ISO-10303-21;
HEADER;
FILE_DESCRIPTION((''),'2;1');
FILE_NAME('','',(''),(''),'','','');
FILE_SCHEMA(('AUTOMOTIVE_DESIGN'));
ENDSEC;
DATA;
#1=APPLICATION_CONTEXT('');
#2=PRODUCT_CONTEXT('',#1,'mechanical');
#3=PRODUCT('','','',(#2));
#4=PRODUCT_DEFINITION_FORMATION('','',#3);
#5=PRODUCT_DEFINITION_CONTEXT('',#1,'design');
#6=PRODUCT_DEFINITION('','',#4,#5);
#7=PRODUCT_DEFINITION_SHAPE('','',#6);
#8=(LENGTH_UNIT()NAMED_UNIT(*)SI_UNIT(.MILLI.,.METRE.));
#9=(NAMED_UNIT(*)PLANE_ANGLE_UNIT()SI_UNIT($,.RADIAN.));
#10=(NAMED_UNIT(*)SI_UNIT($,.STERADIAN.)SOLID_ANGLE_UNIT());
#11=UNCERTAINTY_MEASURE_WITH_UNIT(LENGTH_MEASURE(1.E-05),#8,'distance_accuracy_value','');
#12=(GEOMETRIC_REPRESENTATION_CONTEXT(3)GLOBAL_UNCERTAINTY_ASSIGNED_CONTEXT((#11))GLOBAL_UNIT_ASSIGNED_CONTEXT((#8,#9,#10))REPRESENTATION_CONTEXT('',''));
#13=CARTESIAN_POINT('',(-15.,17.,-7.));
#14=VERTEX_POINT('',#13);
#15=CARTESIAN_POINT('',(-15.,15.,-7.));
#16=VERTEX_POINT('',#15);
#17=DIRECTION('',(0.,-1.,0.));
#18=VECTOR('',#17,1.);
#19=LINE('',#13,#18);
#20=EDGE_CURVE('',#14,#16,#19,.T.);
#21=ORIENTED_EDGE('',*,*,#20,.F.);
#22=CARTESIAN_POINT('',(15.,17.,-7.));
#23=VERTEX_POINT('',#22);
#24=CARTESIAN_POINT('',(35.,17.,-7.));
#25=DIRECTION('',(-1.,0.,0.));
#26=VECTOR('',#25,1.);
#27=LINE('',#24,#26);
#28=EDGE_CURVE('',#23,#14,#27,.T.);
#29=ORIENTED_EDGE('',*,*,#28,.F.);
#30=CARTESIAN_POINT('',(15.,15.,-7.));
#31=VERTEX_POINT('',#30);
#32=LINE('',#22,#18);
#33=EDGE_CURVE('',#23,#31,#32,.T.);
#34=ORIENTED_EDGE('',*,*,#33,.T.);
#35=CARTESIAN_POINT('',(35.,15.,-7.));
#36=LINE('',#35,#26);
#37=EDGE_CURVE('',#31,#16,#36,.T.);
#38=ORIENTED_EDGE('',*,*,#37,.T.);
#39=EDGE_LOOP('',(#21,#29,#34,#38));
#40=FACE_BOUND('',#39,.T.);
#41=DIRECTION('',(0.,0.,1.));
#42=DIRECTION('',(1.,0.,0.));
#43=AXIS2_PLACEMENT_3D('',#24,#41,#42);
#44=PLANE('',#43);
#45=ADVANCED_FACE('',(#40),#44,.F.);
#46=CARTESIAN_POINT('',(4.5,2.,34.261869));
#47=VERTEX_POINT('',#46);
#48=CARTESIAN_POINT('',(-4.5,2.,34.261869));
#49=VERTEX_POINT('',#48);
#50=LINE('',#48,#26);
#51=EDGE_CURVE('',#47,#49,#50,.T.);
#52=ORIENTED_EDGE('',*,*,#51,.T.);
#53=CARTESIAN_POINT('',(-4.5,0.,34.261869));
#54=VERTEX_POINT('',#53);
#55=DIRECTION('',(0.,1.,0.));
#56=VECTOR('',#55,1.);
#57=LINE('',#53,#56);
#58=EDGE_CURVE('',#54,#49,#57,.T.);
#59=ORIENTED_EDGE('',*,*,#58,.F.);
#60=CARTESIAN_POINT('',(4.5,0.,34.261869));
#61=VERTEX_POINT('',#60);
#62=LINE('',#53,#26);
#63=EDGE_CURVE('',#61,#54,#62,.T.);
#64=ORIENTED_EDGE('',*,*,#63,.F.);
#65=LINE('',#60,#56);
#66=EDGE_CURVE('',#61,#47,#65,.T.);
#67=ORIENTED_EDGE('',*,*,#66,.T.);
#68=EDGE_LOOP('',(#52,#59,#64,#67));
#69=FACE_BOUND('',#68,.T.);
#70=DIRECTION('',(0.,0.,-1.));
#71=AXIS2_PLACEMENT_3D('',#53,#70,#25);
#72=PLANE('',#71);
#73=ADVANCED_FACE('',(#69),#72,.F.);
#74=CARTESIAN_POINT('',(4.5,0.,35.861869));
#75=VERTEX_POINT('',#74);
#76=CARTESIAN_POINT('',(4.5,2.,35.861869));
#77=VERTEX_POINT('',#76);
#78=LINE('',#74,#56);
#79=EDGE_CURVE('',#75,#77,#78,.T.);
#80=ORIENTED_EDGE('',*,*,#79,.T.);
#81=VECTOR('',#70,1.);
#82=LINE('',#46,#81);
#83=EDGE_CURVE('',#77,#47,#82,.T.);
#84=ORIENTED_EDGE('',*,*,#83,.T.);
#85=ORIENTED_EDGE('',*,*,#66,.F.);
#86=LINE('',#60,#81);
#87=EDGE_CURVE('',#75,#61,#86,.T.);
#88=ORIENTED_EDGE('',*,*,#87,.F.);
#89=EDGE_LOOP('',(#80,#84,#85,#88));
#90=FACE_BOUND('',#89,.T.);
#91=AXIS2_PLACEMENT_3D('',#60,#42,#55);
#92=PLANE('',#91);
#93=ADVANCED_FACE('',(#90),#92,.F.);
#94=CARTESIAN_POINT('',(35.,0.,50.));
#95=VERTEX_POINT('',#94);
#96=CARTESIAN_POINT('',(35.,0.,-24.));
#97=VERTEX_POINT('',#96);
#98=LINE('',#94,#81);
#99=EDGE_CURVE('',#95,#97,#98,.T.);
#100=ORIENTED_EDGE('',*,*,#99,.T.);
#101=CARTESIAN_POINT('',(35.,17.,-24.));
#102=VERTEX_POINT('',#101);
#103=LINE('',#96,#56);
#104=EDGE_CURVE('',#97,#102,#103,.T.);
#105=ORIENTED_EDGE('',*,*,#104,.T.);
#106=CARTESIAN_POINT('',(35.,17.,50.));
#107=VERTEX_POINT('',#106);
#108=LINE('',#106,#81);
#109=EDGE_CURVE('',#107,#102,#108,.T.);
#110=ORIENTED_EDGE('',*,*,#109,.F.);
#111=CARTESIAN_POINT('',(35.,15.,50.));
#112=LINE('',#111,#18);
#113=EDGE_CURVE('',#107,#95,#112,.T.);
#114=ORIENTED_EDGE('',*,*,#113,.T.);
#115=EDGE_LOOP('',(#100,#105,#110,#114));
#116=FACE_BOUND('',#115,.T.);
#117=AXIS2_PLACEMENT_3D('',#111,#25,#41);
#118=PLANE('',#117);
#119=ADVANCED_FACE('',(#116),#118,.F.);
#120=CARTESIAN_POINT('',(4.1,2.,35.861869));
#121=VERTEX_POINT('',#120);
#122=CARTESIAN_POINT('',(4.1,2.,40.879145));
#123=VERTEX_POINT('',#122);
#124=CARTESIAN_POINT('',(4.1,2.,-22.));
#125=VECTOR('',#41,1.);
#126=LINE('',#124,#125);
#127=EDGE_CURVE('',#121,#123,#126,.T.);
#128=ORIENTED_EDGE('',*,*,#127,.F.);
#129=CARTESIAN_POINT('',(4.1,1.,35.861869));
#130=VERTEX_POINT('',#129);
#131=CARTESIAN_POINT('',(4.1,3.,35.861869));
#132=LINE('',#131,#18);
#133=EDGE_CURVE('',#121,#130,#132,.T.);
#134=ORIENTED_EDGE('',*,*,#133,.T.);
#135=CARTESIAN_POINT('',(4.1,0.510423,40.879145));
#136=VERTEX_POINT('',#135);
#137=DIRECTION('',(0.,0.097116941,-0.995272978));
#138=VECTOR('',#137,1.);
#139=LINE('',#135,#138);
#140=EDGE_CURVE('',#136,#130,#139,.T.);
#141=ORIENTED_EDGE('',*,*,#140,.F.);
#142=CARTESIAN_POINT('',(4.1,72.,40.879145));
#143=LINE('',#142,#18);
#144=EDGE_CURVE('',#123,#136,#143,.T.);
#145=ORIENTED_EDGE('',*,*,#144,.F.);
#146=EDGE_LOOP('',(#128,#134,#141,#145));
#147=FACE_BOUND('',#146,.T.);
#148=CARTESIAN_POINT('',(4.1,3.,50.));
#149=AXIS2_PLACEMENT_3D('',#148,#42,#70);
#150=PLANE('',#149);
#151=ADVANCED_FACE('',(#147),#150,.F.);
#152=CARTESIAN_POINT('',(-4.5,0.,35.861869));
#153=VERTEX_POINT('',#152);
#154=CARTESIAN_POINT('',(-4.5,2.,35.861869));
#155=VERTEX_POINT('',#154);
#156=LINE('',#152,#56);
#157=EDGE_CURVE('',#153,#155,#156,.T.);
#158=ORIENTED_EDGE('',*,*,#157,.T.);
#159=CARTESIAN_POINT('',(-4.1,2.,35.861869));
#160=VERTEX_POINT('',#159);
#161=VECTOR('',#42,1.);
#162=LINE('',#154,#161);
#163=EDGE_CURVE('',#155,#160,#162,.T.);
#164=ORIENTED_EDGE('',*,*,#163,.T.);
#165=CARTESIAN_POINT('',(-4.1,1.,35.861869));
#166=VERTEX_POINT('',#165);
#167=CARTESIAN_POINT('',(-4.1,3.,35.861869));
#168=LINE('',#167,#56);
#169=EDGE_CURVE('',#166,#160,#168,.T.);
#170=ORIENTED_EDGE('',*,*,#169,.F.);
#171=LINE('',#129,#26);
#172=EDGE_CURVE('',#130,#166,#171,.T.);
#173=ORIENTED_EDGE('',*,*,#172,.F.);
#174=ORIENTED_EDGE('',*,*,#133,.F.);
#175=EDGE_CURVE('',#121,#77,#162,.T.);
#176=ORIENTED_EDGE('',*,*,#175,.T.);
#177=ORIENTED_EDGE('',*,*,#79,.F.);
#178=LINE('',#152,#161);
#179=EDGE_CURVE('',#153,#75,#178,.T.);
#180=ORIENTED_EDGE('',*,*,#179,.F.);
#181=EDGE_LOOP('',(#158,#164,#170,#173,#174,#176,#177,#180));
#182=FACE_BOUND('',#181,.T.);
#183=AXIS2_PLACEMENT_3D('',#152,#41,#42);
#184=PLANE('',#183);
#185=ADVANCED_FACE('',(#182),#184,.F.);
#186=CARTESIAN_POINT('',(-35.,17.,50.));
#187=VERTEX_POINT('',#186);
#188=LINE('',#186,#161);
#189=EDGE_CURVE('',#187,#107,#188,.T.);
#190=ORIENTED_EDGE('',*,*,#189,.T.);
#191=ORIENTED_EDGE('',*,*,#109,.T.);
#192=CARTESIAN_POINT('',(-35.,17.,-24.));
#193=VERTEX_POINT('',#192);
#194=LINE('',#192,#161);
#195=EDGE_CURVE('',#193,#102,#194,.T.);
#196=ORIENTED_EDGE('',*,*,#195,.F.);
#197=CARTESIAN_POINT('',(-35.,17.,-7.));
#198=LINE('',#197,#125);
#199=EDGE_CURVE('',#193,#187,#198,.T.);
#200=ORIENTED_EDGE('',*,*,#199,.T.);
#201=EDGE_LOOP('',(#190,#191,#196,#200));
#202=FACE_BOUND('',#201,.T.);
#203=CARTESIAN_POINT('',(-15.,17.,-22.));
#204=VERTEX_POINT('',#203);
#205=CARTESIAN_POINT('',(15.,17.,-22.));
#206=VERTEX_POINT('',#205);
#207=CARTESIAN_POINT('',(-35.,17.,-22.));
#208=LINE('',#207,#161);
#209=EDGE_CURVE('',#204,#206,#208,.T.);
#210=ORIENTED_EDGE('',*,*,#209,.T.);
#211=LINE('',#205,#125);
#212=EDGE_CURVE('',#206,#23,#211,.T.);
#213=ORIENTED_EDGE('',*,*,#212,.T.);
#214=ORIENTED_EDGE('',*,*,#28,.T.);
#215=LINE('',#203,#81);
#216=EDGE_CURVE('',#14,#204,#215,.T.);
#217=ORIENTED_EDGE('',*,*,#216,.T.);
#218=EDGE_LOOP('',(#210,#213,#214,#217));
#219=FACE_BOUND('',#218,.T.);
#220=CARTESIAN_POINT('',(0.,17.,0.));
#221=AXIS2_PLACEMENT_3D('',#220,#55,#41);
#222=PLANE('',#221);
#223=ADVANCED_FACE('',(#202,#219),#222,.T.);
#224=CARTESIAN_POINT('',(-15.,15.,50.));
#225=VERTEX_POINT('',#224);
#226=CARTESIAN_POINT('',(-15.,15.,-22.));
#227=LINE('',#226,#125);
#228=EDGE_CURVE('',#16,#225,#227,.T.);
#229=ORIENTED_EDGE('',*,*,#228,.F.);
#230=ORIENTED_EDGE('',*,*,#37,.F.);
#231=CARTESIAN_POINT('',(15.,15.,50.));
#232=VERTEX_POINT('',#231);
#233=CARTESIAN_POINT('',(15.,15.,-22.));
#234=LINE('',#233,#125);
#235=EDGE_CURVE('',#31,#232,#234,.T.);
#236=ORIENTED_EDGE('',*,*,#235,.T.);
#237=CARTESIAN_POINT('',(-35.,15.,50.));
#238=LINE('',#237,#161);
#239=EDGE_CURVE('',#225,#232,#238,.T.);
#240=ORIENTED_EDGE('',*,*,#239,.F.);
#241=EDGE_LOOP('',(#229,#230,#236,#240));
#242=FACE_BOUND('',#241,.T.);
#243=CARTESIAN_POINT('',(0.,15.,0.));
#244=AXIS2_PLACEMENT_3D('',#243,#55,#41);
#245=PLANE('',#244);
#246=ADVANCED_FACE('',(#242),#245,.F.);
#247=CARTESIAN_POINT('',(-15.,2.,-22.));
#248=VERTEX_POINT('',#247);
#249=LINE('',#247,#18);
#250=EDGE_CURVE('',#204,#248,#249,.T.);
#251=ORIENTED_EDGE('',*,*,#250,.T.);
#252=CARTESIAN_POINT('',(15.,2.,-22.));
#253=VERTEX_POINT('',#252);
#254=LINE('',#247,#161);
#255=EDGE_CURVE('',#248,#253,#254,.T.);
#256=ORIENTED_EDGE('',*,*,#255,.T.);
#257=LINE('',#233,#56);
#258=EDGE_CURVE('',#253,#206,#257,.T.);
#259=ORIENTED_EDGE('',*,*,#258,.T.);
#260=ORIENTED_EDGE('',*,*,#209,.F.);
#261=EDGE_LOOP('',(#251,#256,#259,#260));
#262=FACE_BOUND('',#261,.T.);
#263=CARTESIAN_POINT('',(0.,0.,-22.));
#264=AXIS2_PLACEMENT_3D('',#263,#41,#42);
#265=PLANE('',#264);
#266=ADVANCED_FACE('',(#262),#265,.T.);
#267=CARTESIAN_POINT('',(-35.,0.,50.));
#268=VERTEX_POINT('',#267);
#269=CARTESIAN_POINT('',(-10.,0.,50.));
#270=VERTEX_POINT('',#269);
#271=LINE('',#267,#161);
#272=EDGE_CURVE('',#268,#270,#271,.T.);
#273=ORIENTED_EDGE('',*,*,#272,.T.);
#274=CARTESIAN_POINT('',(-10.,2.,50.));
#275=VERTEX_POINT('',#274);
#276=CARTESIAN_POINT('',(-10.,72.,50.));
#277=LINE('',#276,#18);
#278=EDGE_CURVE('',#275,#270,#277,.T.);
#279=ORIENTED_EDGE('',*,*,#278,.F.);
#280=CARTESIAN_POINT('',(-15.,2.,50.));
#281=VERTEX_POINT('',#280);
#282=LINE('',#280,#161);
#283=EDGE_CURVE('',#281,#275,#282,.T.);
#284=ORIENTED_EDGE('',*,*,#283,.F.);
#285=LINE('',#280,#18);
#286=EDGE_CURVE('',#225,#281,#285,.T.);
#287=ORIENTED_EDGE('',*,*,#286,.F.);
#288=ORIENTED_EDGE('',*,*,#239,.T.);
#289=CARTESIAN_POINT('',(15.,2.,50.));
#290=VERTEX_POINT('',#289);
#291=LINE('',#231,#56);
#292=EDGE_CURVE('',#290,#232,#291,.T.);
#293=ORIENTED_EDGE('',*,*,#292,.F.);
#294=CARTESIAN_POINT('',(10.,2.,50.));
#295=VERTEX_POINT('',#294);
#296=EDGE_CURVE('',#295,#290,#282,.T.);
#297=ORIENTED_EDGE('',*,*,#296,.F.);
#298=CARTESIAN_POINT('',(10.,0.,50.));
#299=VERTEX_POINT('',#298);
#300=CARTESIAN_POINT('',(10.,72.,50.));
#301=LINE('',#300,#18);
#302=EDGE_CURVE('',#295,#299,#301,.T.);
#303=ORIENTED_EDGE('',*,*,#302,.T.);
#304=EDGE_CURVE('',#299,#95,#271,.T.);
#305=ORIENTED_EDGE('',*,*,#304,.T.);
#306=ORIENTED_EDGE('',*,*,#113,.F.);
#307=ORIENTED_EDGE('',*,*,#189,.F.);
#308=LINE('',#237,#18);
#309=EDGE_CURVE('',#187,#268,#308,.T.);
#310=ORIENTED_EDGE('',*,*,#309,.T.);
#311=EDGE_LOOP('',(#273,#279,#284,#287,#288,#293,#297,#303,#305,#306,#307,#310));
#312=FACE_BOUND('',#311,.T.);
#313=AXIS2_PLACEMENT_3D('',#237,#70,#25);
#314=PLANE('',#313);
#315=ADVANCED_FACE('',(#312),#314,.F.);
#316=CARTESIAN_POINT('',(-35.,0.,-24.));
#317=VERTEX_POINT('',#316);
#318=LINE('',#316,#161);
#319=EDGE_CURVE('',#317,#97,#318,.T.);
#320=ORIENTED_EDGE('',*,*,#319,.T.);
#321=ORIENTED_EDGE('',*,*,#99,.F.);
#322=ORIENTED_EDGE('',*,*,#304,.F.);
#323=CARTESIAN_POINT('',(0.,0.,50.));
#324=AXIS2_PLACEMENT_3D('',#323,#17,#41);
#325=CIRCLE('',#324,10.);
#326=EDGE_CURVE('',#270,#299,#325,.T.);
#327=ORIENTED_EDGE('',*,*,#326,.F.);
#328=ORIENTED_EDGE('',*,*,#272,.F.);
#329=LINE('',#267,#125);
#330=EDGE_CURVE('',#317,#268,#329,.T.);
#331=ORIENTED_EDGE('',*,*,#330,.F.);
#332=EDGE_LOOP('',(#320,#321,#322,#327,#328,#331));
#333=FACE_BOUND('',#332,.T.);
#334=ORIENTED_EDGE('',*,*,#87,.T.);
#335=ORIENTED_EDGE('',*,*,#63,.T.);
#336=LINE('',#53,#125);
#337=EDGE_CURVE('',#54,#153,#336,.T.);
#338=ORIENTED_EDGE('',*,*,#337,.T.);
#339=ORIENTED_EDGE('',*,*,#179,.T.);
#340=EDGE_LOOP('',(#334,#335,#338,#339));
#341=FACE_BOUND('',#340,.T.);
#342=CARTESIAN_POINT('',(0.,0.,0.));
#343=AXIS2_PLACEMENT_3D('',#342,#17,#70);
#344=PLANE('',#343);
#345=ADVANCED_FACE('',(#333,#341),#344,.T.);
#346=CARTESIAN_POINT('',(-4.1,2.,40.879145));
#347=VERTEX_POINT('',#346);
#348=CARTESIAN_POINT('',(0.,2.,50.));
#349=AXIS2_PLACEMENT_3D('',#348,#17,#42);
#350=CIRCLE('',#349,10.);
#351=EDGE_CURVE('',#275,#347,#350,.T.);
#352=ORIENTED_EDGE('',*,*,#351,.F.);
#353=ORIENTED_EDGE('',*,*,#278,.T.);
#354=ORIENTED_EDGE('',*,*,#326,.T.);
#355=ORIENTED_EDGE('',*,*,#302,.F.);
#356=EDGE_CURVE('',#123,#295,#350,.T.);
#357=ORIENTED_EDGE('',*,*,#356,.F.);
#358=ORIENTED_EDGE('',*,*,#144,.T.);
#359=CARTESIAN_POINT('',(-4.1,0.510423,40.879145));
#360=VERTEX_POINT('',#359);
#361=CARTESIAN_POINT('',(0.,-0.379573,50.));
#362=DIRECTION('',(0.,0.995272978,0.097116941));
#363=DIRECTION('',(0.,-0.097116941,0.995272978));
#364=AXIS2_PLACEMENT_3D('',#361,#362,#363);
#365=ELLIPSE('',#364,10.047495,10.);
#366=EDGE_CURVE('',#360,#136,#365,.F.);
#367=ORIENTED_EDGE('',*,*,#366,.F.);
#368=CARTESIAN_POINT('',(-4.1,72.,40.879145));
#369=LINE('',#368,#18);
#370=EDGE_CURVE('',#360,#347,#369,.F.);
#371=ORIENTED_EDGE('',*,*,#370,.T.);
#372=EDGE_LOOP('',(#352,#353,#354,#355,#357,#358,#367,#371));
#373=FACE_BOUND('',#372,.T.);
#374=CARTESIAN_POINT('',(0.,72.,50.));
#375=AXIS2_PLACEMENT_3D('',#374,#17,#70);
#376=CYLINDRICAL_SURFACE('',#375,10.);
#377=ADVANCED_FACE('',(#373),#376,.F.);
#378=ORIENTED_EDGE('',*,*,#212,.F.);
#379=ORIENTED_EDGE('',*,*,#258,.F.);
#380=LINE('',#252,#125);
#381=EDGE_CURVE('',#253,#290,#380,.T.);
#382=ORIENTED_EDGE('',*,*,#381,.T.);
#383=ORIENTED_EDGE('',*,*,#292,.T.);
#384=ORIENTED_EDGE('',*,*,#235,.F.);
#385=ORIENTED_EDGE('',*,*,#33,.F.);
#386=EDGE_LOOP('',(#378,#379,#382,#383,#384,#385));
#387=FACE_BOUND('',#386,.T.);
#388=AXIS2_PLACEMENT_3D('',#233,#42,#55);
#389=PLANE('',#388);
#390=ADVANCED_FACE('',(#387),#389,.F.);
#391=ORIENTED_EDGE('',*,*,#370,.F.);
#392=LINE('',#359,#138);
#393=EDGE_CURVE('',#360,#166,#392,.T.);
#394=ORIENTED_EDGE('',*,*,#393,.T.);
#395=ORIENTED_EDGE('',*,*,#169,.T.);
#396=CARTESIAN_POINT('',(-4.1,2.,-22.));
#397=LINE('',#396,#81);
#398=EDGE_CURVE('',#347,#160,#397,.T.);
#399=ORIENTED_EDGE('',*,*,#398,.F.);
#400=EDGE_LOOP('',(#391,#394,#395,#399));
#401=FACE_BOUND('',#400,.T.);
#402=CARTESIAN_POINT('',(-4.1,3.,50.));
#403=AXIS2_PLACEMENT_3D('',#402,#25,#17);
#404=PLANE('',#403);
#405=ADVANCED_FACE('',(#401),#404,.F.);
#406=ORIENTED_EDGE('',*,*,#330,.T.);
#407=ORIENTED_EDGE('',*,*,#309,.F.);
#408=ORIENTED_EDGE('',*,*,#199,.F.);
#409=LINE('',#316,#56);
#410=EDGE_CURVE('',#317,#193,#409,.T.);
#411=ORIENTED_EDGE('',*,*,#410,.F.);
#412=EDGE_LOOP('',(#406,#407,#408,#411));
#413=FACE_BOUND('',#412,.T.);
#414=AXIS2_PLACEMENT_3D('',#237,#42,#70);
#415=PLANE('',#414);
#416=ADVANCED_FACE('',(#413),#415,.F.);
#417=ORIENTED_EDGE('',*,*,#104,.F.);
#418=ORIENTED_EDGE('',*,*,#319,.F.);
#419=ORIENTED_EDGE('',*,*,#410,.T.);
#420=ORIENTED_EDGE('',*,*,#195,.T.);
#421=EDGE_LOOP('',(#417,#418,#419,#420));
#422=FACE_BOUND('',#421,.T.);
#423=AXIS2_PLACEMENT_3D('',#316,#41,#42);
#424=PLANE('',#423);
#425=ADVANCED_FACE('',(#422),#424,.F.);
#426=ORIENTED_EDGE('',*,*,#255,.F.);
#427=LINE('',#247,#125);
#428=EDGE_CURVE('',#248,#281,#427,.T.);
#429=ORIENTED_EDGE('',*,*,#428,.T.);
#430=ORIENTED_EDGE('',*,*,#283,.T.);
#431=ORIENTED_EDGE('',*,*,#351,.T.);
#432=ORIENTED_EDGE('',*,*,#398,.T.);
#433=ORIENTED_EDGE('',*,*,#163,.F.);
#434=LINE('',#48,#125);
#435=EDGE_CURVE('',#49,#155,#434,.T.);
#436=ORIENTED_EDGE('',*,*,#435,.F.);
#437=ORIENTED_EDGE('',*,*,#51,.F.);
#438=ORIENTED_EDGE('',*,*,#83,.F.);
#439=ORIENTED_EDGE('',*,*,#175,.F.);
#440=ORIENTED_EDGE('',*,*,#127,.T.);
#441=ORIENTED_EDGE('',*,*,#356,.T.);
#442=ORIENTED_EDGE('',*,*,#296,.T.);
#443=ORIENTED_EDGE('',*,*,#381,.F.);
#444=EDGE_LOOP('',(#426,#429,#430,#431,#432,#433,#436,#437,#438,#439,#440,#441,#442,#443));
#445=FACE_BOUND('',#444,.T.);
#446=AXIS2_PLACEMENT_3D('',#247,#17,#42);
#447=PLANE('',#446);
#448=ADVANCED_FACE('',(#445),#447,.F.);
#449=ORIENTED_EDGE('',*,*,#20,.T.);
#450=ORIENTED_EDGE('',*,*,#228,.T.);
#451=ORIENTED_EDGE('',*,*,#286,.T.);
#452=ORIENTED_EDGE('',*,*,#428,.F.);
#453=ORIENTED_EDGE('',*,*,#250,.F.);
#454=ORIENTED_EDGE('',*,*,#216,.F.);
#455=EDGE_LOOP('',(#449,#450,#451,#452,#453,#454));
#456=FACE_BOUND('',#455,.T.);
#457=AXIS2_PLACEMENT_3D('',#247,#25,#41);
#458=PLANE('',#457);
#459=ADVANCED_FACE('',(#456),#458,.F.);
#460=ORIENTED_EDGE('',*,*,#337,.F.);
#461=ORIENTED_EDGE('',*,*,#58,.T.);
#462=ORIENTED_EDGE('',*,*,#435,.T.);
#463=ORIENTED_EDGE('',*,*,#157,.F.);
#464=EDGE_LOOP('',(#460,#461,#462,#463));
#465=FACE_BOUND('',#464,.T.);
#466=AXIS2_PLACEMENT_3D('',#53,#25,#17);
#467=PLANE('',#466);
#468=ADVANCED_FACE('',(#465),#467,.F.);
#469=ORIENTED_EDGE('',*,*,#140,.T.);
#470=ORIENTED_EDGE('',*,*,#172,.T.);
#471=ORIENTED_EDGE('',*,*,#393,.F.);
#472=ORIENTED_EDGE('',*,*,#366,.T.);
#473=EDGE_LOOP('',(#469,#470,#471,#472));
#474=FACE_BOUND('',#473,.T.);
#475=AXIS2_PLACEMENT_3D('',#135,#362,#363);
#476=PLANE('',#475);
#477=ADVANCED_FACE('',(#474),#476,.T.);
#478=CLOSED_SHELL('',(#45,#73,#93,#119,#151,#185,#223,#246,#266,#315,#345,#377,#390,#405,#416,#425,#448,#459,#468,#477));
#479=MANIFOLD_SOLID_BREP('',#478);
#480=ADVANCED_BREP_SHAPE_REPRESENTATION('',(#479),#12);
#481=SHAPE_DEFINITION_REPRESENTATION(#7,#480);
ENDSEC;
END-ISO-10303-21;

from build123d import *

# Parameters (mm, degrees)
CROQUIS1_W              = 70
CROQUIS1_H              = 100
SALIENTE_EXTRUIR1_DEPTH = 15
CROQUIS2_W              = 30
CROQUIS2_H              = 13
CORTAR_EXTRUIR1_DEPTH   = 72
CORTAR_EXTRUIR2_DEPTH   = 72
CROQUIS4_W              = 9
CROQUIS4_H              = 1.6
CORTAR_EXTRUIR3_DEPTH   = 2
CROQUIS6_W              = 8.2
CROQUIS6_H              = 2
CORTAR_EXTRUIR4_DEPTH   = 94.926889384
CORTAR_EXTRUIR5_DEPTH   = 8.2
CROQUIS8_W              = 70
CROQUIS8_H              = 57
SALIENTE_EXTRUIR3_DEPTH = 2
CROQUIS9_W              = 20
CROQUIS9_H              = 15
SALIENTE_EXTRUIR4_DEPTH = 2
CROQUIS10_W             = 70
CROQUIS10_H             = 22.450330877
SALIENTE_EXTRUIR5_DEPTH = 2
CROQUIS12_W             = 70
CROQUIS12_H             = 26
CORTAR_EXTRUIR6_DEPTH   = 64.356136246


with BuildPart() as part:
    # Croquis1 → Saliente-Extruir1 (new body)
    with BuildSketch(Plane(origin=(0, 0, 0), x_dir=(1, 0, 0), z_dir=(0, 1, 0))):
        Rectangle(CROQUIS1_W, CROQUIS1_H)
    extrude(amount=SALIENTE_EXTRUIR1_DEPTH)

    # Croquis2 → Cortar-Extruir1 (cut)
    with BuildSketch(Plane.XY.offset(50)):
        with Locations((0, 8.5)):
            Rectangle(CROQUIS2_W, CROQUIS2_H)
    extrude(amount=-CORTAR_EXTRUIR1_DEPTH, mode=Mode.SUBTRACT)

    # Croquis3 → Cortar-Extruir2 (cut)
    with BuildSketch(Plane.XZ):
        with BuildLine():
            Line((-10, 50), (10, 50))
            ThreePointArc((10, 50), (0, 40), (-10, 50))
        make_face()
    extrude(amount=-CORTAR_EXTRUIR2_DEPTH, mode=Mode.SUBTRACT)

    # Croquis4 → Cortar-Extruir3 (cut)
    with BuildSketch(Plane(origin=(0, 2, 0), x_dir=(1, 0, 0), z_dir=(0, 1, 0))):
        with Locations((0, -35.061869007)):
            Rectangle(CROQUIS4_W, CROQUIS4_H)
    extrude(amount=-CORTAR_EXTRUIR3_DEPTH, mode=Mode.SUBTRACT)

    # Croquis6 → Cortar-Extruir4 (cut, through all)
    with BuildSketch(Plane(origin=(0, 0, 35.861869007), x_dir=(-1, 0, 0), z_dir=(0, 0, -1))):
        with Locations((0, 2)):
            Rectangle(CROQUIS6_W, CROQUIS6_H)
    extrude(amount=-CORTAR_EXTRUIR4_DEPTH, mode=Mode.SUBTRACT)

    # Croquis7 → Cortar-Extruir5 (cut)
    with BuildSketch(Plane(origin=(-4.1, 0, 0), x_dir=(0, 0, -1), z_dir=(1, 0, 0))):
        Polygon((-40.879144777, 0.510423286), (-35.861869007, 1), (-40.879144777, 1), align=None)
    extrude(amount=CORTAR_EXTRUIR5_DEPTH, mode=Mode.SUBTRACT)

    # Croquis8 → Saliente-Extruir3 (add)
    with BuildSketch(Plane(origin=(0, 15, 0), x_dir=(1, 0, 0), z_dir=(0, 1, 0))):
        with Locations((0, -21.5)):
            Rectangle(CROQUIS8_W, CROQUIS8_H)
        Polygon((15, 22), (35, 22), (35, 27.549669123), (-35, 27.549669123), (-35, 22), align=None)
    extrude(amount=SALIENTE_EXTRUIR3_DEPTH)

    # Croquis9 → Saliente-Extruir4 (add)
    with BuildSketch(Plane(origin=(0, 15, 0), x_dir=(1, 0, 0), z_dir=(0, 1, 0))):
        with Locations((-25, 14.5)):
            Rectangle(CROQUIS9_W, CROQUIS9_H)
        with Locations((25, 14.5)):
            Rectangle(CROQUIS9_W, CROQUIS9_H)
    extrude(amount=SALIENTE_EXTRUIR4_DEPTH)

    # Croquis10 → Saliente-Extruir5 (add)
    with BuildSketch(Plane(origin=(0, 15, 0), x_dir=(1, 0, 0), z_dir=(0, 1, 0))):
        with Locations((0, 38.774834562)):
            Rectangle(CROQUIS10_W, CROQUIS10_H)
    extrude(amount=SALIENTE_EXTRUIR5_DEPTH)

    # Croquis12 → Cortar-Extruir6 (cut, through all)
    with BuildSketch(Plane(origin=(0, 17, 0), x_dir=(1, 0, 0), z_dir=(0, 1, 0))):
        with Locations((0, 37)):
            Rectangle(CROQUIS12_W, CROQUIS12_H)
    extrude(amount=-CORTAR_EXTRUIR6_DEPTH, mode=Mode.SUBTRACT)


solid = part.part
